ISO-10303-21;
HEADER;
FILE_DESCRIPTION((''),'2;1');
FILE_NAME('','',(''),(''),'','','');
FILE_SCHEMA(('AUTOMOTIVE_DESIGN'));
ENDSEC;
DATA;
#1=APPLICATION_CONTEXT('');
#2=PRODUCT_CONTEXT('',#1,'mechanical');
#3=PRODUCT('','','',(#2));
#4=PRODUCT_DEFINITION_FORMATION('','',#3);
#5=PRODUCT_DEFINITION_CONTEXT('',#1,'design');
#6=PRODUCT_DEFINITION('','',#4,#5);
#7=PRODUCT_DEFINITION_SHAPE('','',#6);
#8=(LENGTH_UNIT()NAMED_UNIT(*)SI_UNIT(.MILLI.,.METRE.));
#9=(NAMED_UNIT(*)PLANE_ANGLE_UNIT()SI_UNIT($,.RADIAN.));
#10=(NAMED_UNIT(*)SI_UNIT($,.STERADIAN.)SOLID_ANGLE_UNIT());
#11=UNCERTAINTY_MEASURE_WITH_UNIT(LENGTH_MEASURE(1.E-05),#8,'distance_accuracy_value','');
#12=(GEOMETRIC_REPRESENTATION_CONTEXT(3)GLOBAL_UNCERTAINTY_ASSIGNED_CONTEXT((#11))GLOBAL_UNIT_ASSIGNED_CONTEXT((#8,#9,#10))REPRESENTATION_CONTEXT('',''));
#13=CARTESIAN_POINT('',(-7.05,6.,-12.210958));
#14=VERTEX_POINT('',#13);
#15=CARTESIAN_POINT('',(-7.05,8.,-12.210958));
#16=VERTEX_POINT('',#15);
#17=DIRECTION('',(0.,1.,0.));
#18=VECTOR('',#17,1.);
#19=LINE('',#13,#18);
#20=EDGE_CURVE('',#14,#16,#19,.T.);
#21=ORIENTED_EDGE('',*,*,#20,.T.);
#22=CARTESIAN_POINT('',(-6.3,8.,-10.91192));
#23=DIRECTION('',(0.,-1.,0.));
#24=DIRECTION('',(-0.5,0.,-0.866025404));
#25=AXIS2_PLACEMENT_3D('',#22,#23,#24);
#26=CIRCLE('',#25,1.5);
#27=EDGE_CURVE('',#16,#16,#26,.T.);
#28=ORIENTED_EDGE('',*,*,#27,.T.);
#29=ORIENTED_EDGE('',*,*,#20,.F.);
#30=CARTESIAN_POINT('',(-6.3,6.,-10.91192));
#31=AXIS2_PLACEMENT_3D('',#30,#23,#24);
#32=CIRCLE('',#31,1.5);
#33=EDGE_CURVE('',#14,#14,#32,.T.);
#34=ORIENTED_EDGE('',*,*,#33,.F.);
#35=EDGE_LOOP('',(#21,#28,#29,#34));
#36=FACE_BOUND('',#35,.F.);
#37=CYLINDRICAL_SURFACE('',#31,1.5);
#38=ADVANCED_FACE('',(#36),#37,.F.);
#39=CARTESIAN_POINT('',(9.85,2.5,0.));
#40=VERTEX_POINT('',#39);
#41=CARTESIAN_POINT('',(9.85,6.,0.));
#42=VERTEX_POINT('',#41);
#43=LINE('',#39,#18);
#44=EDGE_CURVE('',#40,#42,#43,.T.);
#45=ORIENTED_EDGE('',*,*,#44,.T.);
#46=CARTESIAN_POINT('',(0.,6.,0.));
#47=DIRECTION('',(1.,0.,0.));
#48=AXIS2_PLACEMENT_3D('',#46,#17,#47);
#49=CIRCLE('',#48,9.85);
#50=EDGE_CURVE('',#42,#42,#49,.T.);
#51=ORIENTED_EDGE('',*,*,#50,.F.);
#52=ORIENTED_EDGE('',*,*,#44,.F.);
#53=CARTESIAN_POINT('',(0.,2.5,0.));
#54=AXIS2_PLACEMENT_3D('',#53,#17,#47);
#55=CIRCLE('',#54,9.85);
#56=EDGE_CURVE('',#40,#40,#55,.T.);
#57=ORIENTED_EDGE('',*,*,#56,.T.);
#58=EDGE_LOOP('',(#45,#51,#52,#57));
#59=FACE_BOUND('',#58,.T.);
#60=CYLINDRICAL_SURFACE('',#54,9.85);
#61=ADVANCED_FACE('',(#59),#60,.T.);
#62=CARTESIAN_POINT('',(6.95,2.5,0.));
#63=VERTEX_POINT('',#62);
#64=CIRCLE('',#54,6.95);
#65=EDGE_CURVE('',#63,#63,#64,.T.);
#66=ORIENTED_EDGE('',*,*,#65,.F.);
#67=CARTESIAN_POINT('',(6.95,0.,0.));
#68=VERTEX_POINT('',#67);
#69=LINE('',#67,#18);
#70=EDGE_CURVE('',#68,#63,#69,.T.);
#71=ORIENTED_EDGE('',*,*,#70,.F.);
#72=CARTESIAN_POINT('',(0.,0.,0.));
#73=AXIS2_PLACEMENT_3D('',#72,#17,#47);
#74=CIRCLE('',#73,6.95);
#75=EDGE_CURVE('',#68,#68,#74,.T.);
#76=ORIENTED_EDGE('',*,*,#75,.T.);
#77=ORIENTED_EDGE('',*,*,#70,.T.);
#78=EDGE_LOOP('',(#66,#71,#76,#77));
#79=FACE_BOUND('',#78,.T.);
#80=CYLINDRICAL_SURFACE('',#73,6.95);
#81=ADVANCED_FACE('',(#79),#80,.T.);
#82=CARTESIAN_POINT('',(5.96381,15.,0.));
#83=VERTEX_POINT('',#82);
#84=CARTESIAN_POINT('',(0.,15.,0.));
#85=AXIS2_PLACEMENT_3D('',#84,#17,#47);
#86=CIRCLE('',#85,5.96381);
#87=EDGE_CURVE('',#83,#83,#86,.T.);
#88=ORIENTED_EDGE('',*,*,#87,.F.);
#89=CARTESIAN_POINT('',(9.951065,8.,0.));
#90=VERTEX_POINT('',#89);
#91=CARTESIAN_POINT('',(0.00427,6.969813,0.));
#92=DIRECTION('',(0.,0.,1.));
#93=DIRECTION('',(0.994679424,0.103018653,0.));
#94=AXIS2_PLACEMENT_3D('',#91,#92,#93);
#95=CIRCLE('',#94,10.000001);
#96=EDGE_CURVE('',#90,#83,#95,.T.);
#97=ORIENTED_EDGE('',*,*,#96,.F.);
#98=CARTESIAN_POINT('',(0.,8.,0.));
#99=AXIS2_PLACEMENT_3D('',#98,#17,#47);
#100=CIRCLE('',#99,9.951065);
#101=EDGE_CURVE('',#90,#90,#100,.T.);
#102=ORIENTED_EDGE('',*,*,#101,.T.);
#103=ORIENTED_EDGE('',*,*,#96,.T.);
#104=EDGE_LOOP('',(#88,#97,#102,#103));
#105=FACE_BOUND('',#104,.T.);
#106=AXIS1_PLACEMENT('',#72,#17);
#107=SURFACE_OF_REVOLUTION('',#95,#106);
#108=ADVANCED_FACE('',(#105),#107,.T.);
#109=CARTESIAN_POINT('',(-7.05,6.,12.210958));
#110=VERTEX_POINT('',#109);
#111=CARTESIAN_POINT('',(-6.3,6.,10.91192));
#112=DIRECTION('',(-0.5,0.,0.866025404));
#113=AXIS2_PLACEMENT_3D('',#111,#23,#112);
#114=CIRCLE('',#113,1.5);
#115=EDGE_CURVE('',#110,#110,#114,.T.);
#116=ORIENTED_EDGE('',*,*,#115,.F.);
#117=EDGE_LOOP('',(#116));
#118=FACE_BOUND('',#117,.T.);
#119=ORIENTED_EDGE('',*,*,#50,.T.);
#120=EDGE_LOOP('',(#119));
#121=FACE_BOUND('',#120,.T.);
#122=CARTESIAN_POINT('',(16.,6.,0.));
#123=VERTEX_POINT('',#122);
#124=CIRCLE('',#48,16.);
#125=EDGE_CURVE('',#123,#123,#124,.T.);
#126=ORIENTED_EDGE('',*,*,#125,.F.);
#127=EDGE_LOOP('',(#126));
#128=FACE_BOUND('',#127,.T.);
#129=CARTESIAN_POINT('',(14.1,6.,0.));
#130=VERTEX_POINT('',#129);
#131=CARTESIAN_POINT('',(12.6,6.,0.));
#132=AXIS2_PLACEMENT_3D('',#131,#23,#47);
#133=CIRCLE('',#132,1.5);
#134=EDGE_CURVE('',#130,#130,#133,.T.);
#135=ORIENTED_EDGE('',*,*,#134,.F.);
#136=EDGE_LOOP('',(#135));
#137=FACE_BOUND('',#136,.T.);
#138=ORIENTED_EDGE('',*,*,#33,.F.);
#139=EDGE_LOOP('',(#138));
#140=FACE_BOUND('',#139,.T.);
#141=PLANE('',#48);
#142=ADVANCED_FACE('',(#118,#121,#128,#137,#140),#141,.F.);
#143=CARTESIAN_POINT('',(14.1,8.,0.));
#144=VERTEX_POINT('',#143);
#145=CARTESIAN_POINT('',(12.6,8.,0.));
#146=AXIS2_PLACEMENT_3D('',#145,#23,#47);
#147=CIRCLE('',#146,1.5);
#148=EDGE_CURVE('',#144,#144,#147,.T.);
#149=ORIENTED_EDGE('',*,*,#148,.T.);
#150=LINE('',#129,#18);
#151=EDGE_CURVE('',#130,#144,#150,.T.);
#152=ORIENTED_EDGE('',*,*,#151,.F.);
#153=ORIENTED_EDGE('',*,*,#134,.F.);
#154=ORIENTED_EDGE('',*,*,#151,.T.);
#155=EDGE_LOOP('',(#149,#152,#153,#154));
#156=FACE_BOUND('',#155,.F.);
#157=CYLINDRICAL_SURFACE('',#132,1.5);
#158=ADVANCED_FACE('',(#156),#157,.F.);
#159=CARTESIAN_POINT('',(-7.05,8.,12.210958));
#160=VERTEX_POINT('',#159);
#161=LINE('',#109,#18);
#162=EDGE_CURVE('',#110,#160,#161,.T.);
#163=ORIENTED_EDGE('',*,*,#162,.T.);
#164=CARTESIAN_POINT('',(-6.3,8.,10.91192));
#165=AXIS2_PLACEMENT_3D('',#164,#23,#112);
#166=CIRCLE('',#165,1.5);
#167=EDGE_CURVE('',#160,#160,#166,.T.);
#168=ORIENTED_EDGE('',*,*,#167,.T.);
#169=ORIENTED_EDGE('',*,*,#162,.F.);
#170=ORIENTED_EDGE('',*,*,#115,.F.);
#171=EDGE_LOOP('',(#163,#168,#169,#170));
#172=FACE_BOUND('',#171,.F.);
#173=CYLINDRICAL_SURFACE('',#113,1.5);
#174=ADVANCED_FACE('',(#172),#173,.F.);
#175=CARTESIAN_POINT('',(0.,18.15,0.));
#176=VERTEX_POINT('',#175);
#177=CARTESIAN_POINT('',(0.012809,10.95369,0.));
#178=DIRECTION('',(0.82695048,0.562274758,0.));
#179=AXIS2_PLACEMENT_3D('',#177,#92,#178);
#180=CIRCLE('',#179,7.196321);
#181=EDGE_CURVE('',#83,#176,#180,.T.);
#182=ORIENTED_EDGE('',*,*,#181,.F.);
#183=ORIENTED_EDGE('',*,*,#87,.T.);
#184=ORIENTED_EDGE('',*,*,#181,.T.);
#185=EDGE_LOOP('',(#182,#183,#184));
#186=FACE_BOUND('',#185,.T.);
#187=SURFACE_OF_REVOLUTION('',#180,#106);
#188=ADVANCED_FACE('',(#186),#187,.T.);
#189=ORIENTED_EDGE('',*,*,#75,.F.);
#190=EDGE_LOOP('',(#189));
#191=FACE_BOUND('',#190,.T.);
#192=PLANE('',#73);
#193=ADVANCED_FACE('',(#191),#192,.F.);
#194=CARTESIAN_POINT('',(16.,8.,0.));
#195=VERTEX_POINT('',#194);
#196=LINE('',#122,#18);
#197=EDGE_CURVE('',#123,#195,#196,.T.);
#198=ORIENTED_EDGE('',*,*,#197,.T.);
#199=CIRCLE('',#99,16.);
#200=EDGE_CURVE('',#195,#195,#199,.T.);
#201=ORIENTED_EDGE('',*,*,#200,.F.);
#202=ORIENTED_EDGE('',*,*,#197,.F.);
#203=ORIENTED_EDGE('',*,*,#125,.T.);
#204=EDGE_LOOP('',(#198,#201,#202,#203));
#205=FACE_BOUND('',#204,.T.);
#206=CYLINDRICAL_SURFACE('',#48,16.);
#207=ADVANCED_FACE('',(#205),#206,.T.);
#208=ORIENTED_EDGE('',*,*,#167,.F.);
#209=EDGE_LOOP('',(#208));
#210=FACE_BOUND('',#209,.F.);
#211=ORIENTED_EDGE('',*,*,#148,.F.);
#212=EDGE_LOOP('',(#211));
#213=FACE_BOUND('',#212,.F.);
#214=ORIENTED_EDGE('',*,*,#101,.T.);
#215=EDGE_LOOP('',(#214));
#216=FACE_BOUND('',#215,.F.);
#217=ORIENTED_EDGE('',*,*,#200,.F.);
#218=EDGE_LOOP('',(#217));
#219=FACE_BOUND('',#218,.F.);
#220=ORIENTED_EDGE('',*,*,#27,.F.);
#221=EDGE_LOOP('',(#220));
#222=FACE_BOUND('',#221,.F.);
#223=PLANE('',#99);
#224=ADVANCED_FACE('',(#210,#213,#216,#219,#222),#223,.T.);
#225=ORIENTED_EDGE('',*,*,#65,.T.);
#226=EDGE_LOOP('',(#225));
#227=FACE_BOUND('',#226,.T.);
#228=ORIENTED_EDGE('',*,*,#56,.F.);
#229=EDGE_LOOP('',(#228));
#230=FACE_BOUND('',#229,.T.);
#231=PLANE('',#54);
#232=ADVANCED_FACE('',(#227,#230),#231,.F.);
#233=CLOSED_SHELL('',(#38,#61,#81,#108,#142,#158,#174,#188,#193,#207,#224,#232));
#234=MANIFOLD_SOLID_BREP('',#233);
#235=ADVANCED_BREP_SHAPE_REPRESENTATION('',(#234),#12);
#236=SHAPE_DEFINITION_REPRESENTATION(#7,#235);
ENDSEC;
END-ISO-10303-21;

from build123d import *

# Parameters (mm, degrees)
SKETCH001_R        = 1.5
POCKET_DEPTH       = 109.668659
POLARPATTERN_COUNT = 3


with BuildPart() as part:
    # Sketch → Revolution (revolve)
    with BuildSketch(Plane.XY):
        with BuildLine():
            Line((0, 0), (0, 18.15))
            ThreePointArc((5.96381, 15), (3.373784, 17.316935), (0, 18.15))
            ThreePointArc((9.951065, 8), (8.693509, 11.919272), (5.96381, 15))
            Line((9.951065, 8), (16, 8))
            Line((16, 6), (16, 8))
            Line((9.85, 6), (16, 6))
            Line((9.85, 2.5), (9.85, 6))
            Line((6.95, 2.5), (9.85, 2.5))
            Line((6.95, 0), (6.95, 2.5))
            Line((0, 0), (6.95, 0))
        make_face()
    revolve(axis=Axis((0, 0, 0), (0, 1, 0)))

    # Sketch001 → Pocket (cut, through all)
    with BuildSketch(Plane.XZ.offset(-6)):
        with Locations((12.6, 0)):
            Circle(SKETCH001_R)
    pocket = extrude(amount=-POCKET_DEPTH, mode=Mode.SUBTRACT)

    # PolarPattern: Pocket ×3 about axis
    polarpattern_axis = Axis((0, 6, 0), (0, -1, 0))
    for i in range(1, POLARPATTERN_COUNT):
        add(pocket.rotate(polarpattern_axis, i * 360 / POLARPATTERN_COUNT), mode=Mode.SUBTRACT)


solid = part.part
